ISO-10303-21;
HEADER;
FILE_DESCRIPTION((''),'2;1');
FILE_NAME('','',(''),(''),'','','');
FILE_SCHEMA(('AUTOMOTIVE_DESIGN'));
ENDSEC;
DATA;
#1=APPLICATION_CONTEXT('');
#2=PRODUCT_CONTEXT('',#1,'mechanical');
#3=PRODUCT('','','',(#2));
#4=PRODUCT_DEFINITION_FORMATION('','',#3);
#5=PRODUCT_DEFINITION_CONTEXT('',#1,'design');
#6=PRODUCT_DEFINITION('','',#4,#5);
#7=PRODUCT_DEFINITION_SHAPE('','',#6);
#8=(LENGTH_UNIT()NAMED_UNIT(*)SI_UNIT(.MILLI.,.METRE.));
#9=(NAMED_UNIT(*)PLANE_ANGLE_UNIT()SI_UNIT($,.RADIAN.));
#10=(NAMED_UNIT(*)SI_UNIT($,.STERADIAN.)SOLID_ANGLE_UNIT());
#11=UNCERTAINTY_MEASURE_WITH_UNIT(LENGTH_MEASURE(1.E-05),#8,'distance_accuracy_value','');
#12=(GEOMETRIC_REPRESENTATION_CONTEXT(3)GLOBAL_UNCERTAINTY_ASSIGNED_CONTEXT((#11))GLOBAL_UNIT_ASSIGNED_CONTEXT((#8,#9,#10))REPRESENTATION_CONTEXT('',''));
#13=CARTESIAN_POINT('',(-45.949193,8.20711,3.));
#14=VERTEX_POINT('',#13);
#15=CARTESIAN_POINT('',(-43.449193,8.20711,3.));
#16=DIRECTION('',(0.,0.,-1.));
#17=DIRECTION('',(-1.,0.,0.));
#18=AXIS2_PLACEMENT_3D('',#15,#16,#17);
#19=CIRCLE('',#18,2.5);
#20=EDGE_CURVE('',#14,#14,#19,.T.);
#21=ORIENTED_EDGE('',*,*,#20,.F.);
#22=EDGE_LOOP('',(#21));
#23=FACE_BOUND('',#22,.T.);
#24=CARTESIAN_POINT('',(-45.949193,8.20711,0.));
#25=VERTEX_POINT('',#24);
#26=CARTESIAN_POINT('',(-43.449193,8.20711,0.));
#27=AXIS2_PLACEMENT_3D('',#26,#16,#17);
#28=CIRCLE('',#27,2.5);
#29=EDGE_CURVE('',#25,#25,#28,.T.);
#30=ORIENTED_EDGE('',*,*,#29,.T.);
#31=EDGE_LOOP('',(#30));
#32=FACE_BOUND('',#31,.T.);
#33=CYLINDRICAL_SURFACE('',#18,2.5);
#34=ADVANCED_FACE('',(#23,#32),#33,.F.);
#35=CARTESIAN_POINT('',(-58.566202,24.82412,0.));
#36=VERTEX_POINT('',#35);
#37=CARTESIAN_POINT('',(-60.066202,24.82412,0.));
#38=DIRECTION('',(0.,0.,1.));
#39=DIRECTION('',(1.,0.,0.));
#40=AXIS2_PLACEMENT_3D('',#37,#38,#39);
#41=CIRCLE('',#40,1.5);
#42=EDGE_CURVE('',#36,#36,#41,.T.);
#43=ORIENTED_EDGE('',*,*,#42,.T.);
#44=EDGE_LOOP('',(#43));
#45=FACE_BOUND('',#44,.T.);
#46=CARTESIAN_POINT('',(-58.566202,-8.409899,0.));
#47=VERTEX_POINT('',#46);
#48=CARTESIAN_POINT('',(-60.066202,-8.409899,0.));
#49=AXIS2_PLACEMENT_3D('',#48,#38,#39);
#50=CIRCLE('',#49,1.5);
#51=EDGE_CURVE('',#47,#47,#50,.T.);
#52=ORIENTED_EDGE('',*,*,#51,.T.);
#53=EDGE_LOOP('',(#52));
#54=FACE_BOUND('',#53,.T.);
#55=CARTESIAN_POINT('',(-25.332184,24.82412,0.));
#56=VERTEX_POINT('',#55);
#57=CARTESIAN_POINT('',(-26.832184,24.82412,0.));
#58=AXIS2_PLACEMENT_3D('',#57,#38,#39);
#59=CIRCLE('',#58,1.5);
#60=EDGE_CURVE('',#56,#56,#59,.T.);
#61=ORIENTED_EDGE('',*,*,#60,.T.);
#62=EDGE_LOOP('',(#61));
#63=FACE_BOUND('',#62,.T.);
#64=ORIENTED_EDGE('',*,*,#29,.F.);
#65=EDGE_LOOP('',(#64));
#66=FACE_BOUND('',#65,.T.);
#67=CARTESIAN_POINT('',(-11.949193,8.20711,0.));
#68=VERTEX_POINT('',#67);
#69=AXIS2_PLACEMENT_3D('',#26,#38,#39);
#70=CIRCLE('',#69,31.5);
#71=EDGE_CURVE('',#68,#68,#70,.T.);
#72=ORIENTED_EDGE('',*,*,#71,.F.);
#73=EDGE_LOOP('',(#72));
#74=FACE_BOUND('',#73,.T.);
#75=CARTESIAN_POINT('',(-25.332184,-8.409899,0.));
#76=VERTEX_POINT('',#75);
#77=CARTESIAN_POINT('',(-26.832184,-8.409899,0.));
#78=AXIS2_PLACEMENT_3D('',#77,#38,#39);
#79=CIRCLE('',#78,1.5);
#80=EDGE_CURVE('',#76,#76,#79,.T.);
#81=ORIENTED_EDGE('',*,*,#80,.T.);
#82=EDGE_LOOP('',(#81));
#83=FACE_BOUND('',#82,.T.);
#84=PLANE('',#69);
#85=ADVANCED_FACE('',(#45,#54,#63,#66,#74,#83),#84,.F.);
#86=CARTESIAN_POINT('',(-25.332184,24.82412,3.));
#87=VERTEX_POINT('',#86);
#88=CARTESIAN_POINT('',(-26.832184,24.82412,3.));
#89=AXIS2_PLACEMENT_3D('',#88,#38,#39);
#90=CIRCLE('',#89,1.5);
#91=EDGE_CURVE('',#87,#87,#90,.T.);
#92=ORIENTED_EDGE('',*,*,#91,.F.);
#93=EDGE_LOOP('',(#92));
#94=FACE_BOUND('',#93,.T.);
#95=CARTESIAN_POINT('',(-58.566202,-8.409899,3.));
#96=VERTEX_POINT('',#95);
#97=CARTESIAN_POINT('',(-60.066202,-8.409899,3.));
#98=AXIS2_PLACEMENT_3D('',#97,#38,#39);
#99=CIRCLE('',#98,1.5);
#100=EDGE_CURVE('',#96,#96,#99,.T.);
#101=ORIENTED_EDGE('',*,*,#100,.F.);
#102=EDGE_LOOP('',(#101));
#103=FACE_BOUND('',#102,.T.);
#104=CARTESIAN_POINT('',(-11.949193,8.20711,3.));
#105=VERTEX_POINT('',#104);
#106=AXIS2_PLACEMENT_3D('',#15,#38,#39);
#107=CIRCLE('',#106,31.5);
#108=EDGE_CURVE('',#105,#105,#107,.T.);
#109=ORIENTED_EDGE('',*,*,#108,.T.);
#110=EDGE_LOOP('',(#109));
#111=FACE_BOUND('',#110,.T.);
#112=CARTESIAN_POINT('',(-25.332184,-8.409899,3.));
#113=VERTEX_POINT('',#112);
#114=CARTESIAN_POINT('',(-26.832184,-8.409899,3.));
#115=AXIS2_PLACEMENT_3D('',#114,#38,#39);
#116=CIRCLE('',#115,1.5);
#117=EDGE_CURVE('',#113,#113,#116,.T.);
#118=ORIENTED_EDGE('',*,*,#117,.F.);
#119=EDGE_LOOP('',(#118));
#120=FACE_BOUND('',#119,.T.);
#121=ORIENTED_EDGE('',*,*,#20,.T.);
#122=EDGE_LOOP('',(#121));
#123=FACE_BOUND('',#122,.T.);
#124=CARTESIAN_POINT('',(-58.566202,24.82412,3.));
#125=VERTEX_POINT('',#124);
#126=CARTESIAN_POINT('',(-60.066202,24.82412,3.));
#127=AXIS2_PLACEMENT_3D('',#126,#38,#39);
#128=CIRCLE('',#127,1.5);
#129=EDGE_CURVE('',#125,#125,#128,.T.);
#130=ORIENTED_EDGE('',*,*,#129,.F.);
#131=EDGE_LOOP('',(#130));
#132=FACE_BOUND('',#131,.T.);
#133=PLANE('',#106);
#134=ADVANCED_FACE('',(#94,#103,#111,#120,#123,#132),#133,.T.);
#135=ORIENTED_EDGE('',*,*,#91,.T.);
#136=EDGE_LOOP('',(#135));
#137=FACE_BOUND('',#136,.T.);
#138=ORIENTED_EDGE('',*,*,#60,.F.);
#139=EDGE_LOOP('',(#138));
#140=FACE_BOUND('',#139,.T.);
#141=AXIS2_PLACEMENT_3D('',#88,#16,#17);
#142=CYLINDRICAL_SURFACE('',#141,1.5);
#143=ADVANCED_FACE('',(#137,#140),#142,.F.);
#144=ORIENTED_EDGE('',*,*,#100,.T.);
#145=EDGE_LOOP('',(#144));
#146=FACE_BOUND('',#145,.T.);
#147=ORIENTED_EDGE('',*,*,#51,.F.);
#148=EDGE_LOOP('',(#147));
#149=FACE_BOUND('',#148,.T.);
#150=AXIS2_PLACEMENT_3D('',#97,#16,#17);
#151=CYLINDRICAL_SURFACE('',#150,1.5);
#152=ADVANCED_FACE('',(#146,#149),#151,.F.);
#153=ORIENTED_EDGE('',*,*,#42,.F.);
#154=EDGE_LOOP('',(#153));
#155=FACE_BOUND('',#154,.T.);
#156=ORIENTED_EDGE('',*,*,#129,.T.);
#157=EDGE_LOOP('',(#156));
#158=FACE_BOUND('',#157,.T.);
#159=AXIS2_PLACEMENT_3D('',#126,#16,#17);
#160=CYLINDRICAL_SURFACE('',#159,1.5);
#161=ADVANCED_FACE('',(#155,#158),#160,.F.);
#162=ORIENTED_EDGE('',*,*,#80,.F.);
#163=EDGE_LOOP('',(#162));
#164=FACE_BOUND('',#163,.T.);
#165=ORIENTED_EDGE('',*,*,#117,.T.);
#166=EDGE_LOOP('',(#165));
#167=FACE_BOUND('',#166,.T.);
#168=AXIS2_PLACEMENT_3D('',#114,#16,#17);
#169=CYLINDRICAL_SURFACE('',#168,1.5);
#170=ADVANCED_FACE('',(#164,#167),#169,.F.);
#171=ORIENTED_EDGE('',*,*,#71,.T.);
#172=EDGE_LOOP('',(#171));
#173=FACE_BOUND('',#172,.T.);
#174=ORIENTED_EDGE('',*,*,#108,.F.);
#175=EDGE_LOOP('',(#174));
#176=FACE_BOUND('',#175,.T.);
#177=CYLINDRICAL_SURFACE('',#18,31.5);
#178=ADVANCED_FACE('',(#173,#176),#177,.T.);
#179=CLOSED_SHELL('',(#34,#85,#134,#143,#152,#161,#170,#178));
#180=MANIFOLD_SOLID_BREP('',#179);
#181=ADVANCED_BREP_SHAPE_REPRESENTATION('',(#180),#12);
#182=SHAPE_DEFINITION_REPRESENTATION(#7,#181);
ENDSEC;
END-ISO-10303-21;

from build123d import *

# Parameters (mm, degrees)
CROQUIS1_R              = 31.5
CROQUIS1_R_2            = 1.5
SALIENTE_EXTRUIR1_DEPTH = 3
CROQUIS4_R              = 2.5
CORTAR_EXTRUIR3_DEPTH   = 3


with BuildPart() as part:
    # Croquis1 → Saliente-Extruir1 (new body)
    with BuildSketch(Plane.XY):
        with Locations((-43.449193048, 8.207110309)):
            Circle(CROQUIS1_R)
        with Locations((-60.066202406, 24.824119667)):
            Circle(CROQUIS1_R_2, mode=Mode.SUBTRACT)
        with Locations((-26.83218369, 24.824119667)):
            Circle(CROQUIS1_R_2, mode=Mode.SUBTRACT)
        with Locations((-26.83218369, -8.409899049)):
            Circle(CROQUIS1_R_2, mode=Mode.SUBTRACT)
        with Locations((-60.066202406, -8.409899049)):
            Circle(CROQUIS1_R_2, mode=Mode.SUBTRACT)
    extrude(amount=SALIENTE_EXTRUIR1_DEPTH)

    # Croquis4 → Cortar-Extruir3 (cut)
    with BuildSketch(Plane(origin=(0, 0, 0), x_dir=(-1, 0, 0), z_dir=(0, 0, -1))):
        with Locations((43.449193048, 8.207110309)):
            Circle(CROQUIS4_R)
    extrude(amount=-CORTAR_EXTRUIR3_DEPTH, mode=Mode.SUBTRACT)


solid = part.part
